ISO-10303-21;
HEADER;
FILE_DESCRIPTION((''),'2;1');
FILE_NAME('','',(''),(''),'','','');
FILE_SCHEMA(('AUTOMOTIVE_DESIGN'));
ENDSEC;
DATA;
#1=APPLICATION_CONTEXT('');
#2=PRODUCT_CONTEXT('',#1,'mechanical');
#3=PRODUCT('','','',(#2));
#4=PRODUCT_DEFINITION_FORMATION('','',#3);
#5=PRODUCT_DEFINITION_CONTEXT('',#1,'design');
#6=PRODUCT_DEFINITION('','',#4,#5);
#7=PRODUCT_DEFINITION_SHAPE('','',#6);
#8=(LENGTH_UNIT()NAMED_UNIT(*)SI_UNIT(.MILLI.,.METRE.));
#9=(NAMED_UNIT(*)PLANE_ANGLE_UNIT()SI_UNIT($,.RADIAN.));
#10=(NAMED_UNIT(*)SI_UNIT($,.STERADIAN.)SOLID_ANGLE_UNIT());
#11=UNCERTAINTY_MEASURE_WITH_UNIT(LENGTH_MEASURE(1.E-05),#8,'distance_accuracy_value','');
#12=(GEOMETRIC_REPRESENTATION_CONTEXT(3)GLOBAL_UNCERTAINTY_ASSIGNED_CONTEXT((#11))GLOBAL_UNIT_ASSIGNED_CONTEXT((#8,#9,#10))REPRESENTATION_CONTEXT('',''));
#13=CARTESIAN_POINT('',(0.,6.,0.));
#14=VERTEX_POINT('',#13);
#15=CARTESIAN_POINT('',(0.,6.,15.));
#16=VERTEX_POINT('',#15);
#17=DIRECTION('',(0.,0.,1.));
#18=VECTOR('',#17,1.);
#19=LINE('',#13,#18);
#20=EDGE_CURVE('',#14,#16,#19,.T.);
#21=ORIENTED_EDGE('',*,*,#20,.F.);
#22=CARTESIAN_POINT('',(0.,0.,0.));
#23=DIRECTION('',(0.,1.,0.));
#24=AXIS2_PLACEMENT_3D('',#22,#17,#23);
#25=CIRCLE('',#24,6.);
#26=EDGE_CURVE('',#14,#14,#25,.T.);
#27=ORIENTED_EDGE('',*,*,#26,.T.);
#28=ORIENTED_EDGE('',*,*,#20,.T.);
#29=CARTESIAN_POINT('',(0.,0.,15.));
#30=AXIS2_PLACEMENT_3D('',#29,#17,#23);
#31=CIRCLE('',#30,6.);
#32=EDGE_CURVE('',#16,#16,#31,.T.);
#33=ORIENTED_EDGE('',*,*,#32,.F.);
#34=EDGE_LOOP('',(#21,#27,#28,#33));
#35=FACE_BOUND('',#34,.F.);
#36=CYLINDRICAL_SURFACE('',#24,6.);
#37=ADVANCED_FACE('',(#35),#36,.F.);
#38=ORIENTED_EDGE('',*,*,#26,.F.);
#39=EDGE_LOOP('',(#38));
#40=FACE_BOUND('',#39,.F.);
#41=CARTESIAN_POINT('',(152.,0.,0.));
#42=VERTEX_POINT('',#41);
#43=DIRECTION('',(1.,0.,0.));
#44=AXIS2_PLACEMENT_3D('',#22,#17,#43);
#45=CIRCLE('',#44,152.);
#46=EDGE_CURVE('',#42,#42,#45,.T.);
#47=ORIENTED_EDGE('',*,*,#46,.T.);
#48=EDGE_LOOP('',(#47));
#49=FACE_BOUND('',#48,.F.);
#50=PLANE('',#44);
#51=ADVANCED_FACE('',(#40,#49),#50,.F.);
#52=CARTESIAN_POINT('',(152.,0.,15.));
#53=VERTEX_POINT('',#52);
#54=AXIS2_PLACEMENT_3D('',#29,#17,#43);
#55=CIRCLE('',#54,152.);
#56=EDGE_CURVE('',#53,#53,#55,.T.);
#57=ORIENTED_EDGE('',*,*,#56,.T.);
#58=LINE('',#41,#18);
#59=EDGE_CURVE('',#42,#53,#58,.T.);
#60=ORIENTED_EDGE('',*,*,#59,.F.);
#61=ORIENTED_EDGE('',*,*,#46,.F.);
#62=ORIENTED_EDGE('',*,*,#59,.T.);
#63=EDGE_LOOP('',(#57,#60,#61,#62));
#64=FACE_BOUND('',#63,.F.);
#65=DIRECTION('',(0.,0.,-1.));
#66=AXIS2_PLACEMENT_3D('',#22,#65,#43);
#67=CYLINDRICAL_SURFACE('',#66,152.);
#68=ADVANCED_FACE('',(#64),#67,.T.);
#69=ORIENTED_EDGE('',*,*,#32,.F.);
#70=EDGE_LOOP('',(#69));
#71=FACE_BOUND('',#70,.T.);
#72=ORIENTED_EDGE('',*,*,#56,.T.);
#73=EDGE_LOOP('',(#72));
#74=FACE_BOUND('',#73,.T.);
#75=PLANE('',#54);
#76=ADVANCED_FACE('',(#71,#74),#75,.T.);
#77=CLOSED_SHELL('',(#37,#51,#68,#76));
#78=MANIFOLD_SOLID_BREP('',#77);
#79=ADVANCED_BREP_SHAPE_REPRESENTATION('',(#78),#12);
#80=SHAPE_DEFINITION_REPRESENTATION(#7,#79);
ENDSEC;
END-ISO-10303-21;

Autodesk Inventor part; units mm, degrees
ref_plane "YZ Plane" through (0, 0, 0) normal (1, 0, 0) x (0, 1, 0)
ref_plane "XZ Plane" through (0, 0, 0) normal (0, 1, 0) x (-1, 0, 0)
ref_plane "XY Plane" through (0, 0, 0) normal (0, 0, 1) x (1, 0, 0)
sketch "スケッチ1" plane through (0, 0, 0) normal (0, 0, 1) x (1, 0, 0)
  circle A0 centre (0, 0) radius 152
  dimension "d0" = 304
extrude "押し出し1" add sketch "スケッチ1" along normal blind 15
sketch "スケッチ2" plane through (0, 0, 0) normal (0, 0, -1) x (-1, 0, 0)
  point P0 (0, 0)
  point P1 (0, 0)
hole "穴1" at (0, 0, 0) direction (0, 0, 1) diameter 12 end through all
sketch "スケッチ3" plane through (0, 0, 0) normal (0, 0, -1) x (-1, 0, 0)
  circle A0 centre (0, 0) radius 6 projected
properties part number "計測輪"
